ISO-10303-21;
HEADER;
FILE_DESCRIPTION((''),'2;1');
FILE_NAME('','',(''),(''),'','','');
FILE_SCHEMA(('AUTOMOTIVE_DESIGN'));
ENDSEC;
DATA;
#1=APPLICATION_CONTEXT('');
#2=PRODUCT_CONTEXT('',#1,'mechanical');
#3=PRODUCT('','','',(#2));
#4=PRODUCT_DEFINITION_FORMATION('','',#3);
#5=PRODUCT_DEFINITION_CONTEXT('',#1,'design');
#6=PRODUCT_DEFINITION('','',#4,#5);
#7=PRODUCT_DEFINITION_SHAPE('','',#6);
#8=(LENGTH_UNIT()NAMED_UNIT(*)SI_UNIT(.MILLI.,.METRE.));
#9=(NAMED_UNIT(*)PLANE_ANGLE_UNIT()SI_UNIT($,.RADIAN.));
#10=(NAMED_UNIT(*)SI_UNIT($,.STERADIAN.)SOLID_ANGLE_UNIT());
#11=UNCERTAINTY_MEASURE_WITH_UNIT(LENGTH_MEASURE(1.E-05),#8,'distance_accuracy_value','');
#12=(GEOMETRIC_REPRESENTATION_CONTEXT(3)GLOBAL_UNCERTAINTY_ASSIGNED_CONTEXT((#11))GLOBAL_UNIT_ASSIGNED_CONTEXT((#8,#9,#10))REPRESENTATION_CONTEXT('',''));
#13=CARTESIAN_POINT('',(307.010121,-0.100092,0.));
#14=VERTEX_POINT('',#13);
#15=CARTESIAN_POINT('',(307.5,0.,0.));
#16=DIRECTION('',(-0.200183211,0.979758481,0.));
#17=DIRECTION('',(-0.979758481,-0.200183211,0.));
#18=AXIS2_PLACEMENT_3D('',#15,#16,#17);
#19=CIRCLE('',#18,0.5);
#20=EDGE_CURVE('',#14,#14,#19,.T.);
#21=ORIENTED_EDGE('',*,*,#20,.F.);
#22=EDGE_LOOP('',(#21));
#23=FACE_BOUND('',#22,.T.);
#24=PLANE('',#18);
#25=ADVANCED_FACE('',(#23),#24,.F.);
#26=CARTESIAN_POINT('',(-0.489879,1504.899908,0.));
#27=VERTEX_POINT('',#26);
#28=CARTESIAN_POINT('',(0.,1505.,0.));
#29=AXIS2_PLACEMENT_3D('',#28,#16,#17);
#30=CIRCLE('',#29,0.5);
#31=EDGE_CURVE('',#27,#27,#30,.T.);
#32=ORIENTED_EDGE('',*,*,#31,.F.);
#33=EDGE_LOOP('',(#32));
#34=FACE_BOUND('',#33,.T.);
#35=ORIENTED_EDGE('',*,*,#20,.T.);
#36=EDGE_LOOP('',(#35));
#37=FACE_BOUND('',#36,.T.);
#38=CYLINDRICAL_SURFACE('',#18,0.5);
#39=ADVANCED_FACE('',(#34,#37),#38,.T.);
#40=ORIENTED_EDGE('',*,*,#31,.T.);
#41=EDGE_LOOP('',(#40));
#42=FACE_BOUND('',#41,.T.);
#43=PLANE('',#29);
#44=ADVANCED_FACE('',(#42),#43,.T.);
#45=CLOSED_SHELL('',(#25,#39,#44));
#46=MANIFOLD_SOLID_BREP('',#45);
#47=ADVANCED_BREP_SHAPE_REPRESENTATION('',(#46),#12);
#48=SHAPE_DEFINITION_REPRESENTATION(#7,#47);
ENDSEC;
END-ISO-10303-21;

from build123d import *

# Parameters (mm, degrees)
SWEEP_2_PROFILE_R = 0.5


with BuildPart() as part:
    # 扫描2: sweep along a path in 草图2
    with BuildLine(Plane.XY) as sweep_2_path:
        Line((307.5, 0), (0, 1505))
    # 扫描2 profile (on start of the path) → 扫描2 (sweep)
    with BuildSketch(Plane(origin=(307.5, 0, 0), x_dir=(0.979758481, 0.200183211, 0), z_dir=(-0.200183211, 0.979758481, 0))):
        Circle(SWEEP_2_PROFILE_R)
    sweep(path=sweep_2_path.line)


solid = part.part
